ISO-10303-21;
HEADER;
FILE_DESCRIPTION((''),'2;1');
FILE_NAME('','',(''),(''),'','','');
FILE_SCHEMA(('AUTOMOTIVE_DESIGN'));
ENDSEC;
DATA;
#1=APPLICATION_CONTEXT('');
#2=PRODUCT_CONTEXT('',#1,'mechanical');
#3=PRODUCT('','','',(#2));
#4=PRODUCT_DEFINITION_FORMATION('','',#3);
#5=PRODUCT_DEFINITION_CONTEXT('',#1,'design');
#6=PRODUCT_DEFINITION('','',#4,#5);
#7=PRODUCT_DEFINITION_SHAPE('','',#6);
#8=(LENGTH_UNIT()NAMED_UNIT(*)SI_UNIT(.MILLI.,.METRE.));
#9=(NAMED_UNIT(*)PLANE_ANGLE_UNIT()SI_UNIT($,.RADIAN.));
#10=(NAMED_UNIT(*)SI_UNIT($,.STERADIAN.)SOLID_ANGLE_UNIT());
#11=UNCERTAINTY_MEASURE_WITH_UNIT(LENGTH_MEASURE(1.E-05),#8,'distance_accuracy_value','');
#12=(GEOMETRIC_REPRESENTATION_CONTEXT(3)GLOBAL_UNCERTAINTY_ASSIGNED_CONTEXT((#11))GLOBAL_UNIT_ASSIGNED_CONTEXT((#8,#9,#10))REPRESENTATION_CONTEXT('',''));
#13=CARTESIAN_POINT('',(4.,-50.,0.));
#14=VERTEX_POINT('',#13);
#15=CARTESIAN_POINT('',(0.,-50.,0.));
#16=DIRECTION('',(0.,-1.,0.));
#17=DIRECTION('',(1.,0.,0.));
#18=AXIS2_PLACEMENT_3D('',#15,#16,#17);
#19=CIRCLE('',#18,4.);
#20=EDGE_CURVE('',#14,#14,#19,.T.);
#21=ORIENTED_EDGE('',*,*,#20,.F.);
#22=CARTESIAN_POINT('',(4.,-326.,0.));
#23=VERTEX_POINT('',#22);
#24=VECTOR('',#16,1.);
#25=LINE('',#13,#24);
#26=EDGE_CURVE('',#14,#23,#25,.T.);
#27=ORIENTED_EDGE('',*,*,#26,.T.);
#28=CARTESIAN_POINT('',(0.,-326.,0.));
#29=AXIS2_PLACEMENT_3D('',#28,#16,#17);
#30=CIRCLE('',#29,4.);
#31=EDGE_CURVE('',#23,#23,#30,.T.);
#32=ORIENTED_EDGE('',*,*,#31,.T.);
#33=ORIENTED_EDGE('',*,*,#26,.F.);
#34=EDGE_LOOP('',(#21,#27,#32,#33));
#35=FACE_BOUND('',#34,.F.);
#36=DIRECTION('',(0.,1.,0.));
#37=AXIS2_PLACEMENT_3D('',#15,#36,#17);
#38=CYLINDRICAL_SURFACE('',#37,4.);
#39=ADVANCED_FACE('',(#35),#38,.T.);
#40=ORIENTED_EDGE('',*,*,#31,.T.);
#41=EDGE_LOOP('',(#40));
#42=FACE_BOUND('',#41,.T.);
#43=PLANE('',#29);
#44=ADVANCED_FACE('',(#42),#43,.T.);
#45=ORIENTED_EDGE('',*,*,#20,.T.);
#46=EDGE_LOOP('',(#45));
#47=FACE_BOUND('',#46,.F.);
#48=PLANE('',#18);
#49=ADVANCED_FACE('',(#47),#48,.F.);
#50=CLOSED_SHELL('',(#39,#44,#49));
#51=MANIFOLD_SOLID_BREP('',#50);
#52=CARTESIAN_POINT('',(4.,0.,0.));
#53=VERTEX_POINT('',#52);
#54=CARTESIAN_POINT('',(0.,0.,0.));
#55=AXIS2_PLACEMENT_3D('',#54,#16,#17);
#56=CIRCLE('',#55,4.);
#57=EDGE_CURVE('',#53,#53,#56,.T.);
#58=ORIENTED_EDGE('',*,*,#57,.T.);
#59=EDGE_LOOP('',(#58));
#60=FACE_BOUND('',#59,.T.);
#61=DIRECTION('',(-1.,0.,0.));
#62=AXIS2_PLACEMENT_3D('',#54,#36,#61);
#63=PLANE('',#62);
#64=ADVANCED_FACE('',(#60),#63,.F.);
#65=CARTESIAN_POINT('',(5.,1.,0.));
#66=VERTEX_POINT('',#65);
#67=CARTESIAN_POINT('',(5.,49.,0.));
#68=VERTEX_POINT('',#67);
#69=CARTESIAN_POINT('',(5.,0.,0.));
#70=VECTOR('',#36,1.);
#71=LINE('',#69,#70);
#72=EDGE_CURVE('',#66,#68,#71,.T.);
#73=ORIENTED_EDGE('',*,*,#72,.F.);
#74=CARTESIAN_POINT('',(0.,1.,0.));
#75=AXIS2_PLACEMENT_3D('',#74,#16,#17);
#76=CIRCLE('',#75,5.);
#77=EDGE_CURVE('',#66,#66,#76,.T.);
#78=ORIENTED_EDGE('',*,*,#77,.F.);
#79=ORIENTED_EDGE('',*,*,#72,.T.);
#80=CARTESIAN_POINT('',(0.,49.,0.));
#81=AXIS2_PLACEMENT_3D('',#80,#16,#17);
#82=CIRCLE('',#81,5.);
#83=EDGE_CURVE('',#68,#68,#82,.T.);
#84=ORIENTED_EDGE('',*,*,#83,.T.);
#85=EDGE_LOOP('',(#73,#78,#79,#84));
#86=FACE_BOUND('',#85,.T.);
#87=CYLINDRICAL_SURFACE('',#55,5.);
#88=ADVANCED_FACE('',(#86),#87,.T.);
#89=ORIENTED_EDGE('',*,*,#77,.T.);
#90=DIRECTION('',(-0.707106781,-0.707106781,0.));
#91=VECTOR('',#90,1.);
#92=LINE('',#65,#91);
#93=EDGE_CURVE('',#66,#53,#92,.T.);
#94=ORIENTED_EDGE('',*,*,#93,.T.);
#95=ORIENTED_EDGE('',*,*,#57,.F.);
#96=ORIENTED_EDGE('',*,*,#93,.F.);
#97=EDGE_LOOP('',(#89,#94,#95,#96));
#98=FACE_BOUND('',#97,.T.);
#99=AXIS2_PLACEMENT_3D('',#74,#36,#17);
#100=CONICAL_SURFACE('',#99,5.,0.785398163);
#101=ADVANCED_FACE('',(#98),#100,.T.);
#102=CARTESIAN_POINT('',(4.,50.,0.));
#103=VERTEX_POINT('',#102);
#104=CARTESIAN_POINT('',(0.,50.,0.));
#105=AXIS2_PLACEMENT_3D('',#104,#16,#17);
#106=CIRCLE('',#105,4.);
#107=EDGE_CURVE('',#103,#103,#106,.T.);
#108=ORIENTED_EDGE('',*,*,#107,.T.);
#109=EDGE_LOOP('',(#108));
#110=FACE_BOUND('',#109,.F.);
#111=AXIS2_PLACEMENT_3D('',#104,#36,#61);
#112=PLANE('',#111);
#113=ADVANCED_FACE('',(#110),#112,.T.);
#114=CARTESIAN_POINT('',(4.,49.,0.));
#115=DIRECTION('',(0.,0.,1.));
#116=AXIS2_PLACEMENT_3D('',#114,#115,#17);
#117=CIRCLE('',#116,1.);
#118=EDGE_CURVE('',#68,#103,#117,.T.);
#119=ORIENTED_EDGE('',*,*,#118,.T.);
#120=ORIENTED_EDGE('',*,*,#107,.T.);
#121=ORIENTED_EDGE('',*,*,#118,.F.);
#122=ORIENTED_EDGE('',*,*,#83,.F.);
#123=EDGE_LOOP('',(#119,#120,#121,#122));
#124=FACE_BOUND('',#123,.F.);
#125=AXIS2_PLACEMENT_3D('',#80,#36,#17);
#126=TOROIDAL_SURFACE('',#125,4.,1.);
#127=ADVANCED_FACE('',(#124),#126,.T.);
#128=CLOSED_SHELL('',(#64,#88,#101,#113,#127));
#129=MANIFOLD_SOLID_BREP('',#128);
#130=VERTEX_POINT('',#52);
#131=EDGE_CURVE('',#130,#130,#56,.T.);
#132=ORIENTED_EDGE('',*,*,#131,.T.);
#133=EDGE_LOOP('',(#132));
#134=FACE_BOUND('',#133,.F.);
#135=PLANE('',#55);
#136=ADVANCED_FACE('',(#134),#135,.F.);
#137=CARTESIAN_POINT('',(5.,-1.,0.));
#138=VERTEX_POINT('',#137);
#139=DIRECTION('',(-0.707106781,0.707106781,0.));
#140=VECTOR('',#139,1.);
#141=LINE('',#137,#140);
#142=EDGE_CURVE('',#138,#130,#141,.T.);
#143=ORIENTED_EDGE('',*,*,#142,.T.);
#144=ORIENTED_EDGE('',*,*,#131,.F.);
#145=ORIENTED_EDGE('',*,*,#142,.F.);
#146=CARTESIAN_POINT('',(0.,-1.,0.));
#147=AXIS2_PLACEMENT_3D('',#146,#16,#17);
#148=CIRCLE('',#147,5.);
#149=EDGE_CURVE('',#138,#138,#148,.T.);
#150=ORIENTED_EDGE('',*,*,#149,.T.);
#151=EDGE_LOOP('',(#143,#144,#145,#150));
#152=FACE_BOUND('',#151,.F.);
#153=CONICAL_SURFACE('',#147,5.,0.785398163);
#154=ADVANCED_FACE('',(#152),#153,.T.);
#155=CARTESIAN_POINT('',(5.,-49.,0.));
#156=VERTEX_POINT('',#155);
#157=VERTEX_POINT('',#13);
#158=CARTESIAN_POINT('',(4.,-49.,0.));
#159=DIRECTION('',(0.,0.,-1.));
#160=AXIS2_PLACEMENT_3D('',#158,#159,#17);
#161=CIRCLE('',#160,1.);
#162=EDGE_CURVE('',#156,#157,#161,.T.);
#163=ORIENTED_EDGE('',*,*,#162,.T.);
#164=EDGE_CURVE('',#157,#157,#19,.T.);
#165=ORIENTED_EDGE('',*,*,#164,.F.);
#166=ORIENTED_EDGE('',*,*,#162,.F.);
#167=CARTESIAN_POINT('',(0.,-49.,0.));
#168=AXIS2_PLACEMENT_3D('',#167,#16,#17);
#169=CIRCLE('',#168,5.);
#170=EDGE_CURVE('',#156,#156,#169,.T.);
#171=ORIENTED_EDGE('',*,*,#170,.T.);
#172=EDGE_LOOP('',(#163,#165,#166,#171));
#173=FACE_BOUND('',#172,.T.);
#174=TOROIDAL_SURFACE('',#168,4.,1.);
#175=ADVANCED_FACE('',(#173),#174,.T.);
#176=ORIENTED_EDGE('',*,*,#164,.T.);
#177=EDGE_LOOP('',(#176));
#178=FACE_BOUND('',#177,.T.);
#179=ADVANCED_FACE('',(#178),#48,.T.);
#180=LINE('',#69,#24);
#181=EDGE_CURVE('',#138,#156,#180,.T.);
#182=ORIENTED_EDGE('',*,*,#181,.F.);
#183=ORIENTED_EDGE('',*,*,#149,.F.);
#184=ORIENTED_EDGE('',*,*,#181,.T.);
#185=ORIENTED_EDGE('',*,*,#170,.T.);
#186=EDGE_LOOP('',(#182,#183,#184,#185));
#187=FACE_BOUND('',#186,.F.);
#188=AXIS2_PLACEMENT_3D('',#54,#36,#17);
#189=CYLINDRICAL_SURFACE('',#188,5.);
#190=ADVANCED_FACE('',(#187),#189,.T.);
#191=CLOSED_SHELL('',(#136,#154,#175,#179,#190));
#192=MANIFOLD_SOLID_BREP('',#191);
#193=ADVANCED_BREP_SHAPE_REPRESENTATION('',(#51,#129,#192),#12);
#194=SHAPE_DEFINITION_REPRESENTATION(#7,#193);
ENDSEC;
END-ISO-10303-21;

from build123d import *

# Parameters (mm, degrees)
F0_R      = 5
F1_DEPTH  = 50
F2_R      = 1
F3_SIZE   = 1
F1_FACE_R = 4
F5_DEPTH  = 276


with BuildPart() as f1:
    # F0 (on Front) → F1 (new body)
    with BuildSketch(Plane.XZ):
        Circle(F0_R)
    extrude(amount=F1_DEPTH)

    # F2
    f2_edges = [f1.edges().sort_by_distance(p)[0] for p in [
        (-5, -50, 0),
    ]]
    fillet(f2_edges, radius=F2_R)

    # F3
    f3_edges = [f1.edges().sort_by_distance(p)[0] for p in [
        (-5, 0, 0),
    ]]
    chamfer(f3_edges, length=F3_SIZE)


with BuildPart() as f4_1:
    # F4: instance of F1
    add(f1.part.mirror(Plane.XZ))


with BuildPart() as f5:
    # F1_face (on face) → F5 (new body)
    with BuildSketch(Plane.XZ.offset(50)):
        Circle(F1_FACE_R)
    extrude(amount=F5_DEPTH)


solid = Compound([f1.part, f4_1.part, f5.part])
